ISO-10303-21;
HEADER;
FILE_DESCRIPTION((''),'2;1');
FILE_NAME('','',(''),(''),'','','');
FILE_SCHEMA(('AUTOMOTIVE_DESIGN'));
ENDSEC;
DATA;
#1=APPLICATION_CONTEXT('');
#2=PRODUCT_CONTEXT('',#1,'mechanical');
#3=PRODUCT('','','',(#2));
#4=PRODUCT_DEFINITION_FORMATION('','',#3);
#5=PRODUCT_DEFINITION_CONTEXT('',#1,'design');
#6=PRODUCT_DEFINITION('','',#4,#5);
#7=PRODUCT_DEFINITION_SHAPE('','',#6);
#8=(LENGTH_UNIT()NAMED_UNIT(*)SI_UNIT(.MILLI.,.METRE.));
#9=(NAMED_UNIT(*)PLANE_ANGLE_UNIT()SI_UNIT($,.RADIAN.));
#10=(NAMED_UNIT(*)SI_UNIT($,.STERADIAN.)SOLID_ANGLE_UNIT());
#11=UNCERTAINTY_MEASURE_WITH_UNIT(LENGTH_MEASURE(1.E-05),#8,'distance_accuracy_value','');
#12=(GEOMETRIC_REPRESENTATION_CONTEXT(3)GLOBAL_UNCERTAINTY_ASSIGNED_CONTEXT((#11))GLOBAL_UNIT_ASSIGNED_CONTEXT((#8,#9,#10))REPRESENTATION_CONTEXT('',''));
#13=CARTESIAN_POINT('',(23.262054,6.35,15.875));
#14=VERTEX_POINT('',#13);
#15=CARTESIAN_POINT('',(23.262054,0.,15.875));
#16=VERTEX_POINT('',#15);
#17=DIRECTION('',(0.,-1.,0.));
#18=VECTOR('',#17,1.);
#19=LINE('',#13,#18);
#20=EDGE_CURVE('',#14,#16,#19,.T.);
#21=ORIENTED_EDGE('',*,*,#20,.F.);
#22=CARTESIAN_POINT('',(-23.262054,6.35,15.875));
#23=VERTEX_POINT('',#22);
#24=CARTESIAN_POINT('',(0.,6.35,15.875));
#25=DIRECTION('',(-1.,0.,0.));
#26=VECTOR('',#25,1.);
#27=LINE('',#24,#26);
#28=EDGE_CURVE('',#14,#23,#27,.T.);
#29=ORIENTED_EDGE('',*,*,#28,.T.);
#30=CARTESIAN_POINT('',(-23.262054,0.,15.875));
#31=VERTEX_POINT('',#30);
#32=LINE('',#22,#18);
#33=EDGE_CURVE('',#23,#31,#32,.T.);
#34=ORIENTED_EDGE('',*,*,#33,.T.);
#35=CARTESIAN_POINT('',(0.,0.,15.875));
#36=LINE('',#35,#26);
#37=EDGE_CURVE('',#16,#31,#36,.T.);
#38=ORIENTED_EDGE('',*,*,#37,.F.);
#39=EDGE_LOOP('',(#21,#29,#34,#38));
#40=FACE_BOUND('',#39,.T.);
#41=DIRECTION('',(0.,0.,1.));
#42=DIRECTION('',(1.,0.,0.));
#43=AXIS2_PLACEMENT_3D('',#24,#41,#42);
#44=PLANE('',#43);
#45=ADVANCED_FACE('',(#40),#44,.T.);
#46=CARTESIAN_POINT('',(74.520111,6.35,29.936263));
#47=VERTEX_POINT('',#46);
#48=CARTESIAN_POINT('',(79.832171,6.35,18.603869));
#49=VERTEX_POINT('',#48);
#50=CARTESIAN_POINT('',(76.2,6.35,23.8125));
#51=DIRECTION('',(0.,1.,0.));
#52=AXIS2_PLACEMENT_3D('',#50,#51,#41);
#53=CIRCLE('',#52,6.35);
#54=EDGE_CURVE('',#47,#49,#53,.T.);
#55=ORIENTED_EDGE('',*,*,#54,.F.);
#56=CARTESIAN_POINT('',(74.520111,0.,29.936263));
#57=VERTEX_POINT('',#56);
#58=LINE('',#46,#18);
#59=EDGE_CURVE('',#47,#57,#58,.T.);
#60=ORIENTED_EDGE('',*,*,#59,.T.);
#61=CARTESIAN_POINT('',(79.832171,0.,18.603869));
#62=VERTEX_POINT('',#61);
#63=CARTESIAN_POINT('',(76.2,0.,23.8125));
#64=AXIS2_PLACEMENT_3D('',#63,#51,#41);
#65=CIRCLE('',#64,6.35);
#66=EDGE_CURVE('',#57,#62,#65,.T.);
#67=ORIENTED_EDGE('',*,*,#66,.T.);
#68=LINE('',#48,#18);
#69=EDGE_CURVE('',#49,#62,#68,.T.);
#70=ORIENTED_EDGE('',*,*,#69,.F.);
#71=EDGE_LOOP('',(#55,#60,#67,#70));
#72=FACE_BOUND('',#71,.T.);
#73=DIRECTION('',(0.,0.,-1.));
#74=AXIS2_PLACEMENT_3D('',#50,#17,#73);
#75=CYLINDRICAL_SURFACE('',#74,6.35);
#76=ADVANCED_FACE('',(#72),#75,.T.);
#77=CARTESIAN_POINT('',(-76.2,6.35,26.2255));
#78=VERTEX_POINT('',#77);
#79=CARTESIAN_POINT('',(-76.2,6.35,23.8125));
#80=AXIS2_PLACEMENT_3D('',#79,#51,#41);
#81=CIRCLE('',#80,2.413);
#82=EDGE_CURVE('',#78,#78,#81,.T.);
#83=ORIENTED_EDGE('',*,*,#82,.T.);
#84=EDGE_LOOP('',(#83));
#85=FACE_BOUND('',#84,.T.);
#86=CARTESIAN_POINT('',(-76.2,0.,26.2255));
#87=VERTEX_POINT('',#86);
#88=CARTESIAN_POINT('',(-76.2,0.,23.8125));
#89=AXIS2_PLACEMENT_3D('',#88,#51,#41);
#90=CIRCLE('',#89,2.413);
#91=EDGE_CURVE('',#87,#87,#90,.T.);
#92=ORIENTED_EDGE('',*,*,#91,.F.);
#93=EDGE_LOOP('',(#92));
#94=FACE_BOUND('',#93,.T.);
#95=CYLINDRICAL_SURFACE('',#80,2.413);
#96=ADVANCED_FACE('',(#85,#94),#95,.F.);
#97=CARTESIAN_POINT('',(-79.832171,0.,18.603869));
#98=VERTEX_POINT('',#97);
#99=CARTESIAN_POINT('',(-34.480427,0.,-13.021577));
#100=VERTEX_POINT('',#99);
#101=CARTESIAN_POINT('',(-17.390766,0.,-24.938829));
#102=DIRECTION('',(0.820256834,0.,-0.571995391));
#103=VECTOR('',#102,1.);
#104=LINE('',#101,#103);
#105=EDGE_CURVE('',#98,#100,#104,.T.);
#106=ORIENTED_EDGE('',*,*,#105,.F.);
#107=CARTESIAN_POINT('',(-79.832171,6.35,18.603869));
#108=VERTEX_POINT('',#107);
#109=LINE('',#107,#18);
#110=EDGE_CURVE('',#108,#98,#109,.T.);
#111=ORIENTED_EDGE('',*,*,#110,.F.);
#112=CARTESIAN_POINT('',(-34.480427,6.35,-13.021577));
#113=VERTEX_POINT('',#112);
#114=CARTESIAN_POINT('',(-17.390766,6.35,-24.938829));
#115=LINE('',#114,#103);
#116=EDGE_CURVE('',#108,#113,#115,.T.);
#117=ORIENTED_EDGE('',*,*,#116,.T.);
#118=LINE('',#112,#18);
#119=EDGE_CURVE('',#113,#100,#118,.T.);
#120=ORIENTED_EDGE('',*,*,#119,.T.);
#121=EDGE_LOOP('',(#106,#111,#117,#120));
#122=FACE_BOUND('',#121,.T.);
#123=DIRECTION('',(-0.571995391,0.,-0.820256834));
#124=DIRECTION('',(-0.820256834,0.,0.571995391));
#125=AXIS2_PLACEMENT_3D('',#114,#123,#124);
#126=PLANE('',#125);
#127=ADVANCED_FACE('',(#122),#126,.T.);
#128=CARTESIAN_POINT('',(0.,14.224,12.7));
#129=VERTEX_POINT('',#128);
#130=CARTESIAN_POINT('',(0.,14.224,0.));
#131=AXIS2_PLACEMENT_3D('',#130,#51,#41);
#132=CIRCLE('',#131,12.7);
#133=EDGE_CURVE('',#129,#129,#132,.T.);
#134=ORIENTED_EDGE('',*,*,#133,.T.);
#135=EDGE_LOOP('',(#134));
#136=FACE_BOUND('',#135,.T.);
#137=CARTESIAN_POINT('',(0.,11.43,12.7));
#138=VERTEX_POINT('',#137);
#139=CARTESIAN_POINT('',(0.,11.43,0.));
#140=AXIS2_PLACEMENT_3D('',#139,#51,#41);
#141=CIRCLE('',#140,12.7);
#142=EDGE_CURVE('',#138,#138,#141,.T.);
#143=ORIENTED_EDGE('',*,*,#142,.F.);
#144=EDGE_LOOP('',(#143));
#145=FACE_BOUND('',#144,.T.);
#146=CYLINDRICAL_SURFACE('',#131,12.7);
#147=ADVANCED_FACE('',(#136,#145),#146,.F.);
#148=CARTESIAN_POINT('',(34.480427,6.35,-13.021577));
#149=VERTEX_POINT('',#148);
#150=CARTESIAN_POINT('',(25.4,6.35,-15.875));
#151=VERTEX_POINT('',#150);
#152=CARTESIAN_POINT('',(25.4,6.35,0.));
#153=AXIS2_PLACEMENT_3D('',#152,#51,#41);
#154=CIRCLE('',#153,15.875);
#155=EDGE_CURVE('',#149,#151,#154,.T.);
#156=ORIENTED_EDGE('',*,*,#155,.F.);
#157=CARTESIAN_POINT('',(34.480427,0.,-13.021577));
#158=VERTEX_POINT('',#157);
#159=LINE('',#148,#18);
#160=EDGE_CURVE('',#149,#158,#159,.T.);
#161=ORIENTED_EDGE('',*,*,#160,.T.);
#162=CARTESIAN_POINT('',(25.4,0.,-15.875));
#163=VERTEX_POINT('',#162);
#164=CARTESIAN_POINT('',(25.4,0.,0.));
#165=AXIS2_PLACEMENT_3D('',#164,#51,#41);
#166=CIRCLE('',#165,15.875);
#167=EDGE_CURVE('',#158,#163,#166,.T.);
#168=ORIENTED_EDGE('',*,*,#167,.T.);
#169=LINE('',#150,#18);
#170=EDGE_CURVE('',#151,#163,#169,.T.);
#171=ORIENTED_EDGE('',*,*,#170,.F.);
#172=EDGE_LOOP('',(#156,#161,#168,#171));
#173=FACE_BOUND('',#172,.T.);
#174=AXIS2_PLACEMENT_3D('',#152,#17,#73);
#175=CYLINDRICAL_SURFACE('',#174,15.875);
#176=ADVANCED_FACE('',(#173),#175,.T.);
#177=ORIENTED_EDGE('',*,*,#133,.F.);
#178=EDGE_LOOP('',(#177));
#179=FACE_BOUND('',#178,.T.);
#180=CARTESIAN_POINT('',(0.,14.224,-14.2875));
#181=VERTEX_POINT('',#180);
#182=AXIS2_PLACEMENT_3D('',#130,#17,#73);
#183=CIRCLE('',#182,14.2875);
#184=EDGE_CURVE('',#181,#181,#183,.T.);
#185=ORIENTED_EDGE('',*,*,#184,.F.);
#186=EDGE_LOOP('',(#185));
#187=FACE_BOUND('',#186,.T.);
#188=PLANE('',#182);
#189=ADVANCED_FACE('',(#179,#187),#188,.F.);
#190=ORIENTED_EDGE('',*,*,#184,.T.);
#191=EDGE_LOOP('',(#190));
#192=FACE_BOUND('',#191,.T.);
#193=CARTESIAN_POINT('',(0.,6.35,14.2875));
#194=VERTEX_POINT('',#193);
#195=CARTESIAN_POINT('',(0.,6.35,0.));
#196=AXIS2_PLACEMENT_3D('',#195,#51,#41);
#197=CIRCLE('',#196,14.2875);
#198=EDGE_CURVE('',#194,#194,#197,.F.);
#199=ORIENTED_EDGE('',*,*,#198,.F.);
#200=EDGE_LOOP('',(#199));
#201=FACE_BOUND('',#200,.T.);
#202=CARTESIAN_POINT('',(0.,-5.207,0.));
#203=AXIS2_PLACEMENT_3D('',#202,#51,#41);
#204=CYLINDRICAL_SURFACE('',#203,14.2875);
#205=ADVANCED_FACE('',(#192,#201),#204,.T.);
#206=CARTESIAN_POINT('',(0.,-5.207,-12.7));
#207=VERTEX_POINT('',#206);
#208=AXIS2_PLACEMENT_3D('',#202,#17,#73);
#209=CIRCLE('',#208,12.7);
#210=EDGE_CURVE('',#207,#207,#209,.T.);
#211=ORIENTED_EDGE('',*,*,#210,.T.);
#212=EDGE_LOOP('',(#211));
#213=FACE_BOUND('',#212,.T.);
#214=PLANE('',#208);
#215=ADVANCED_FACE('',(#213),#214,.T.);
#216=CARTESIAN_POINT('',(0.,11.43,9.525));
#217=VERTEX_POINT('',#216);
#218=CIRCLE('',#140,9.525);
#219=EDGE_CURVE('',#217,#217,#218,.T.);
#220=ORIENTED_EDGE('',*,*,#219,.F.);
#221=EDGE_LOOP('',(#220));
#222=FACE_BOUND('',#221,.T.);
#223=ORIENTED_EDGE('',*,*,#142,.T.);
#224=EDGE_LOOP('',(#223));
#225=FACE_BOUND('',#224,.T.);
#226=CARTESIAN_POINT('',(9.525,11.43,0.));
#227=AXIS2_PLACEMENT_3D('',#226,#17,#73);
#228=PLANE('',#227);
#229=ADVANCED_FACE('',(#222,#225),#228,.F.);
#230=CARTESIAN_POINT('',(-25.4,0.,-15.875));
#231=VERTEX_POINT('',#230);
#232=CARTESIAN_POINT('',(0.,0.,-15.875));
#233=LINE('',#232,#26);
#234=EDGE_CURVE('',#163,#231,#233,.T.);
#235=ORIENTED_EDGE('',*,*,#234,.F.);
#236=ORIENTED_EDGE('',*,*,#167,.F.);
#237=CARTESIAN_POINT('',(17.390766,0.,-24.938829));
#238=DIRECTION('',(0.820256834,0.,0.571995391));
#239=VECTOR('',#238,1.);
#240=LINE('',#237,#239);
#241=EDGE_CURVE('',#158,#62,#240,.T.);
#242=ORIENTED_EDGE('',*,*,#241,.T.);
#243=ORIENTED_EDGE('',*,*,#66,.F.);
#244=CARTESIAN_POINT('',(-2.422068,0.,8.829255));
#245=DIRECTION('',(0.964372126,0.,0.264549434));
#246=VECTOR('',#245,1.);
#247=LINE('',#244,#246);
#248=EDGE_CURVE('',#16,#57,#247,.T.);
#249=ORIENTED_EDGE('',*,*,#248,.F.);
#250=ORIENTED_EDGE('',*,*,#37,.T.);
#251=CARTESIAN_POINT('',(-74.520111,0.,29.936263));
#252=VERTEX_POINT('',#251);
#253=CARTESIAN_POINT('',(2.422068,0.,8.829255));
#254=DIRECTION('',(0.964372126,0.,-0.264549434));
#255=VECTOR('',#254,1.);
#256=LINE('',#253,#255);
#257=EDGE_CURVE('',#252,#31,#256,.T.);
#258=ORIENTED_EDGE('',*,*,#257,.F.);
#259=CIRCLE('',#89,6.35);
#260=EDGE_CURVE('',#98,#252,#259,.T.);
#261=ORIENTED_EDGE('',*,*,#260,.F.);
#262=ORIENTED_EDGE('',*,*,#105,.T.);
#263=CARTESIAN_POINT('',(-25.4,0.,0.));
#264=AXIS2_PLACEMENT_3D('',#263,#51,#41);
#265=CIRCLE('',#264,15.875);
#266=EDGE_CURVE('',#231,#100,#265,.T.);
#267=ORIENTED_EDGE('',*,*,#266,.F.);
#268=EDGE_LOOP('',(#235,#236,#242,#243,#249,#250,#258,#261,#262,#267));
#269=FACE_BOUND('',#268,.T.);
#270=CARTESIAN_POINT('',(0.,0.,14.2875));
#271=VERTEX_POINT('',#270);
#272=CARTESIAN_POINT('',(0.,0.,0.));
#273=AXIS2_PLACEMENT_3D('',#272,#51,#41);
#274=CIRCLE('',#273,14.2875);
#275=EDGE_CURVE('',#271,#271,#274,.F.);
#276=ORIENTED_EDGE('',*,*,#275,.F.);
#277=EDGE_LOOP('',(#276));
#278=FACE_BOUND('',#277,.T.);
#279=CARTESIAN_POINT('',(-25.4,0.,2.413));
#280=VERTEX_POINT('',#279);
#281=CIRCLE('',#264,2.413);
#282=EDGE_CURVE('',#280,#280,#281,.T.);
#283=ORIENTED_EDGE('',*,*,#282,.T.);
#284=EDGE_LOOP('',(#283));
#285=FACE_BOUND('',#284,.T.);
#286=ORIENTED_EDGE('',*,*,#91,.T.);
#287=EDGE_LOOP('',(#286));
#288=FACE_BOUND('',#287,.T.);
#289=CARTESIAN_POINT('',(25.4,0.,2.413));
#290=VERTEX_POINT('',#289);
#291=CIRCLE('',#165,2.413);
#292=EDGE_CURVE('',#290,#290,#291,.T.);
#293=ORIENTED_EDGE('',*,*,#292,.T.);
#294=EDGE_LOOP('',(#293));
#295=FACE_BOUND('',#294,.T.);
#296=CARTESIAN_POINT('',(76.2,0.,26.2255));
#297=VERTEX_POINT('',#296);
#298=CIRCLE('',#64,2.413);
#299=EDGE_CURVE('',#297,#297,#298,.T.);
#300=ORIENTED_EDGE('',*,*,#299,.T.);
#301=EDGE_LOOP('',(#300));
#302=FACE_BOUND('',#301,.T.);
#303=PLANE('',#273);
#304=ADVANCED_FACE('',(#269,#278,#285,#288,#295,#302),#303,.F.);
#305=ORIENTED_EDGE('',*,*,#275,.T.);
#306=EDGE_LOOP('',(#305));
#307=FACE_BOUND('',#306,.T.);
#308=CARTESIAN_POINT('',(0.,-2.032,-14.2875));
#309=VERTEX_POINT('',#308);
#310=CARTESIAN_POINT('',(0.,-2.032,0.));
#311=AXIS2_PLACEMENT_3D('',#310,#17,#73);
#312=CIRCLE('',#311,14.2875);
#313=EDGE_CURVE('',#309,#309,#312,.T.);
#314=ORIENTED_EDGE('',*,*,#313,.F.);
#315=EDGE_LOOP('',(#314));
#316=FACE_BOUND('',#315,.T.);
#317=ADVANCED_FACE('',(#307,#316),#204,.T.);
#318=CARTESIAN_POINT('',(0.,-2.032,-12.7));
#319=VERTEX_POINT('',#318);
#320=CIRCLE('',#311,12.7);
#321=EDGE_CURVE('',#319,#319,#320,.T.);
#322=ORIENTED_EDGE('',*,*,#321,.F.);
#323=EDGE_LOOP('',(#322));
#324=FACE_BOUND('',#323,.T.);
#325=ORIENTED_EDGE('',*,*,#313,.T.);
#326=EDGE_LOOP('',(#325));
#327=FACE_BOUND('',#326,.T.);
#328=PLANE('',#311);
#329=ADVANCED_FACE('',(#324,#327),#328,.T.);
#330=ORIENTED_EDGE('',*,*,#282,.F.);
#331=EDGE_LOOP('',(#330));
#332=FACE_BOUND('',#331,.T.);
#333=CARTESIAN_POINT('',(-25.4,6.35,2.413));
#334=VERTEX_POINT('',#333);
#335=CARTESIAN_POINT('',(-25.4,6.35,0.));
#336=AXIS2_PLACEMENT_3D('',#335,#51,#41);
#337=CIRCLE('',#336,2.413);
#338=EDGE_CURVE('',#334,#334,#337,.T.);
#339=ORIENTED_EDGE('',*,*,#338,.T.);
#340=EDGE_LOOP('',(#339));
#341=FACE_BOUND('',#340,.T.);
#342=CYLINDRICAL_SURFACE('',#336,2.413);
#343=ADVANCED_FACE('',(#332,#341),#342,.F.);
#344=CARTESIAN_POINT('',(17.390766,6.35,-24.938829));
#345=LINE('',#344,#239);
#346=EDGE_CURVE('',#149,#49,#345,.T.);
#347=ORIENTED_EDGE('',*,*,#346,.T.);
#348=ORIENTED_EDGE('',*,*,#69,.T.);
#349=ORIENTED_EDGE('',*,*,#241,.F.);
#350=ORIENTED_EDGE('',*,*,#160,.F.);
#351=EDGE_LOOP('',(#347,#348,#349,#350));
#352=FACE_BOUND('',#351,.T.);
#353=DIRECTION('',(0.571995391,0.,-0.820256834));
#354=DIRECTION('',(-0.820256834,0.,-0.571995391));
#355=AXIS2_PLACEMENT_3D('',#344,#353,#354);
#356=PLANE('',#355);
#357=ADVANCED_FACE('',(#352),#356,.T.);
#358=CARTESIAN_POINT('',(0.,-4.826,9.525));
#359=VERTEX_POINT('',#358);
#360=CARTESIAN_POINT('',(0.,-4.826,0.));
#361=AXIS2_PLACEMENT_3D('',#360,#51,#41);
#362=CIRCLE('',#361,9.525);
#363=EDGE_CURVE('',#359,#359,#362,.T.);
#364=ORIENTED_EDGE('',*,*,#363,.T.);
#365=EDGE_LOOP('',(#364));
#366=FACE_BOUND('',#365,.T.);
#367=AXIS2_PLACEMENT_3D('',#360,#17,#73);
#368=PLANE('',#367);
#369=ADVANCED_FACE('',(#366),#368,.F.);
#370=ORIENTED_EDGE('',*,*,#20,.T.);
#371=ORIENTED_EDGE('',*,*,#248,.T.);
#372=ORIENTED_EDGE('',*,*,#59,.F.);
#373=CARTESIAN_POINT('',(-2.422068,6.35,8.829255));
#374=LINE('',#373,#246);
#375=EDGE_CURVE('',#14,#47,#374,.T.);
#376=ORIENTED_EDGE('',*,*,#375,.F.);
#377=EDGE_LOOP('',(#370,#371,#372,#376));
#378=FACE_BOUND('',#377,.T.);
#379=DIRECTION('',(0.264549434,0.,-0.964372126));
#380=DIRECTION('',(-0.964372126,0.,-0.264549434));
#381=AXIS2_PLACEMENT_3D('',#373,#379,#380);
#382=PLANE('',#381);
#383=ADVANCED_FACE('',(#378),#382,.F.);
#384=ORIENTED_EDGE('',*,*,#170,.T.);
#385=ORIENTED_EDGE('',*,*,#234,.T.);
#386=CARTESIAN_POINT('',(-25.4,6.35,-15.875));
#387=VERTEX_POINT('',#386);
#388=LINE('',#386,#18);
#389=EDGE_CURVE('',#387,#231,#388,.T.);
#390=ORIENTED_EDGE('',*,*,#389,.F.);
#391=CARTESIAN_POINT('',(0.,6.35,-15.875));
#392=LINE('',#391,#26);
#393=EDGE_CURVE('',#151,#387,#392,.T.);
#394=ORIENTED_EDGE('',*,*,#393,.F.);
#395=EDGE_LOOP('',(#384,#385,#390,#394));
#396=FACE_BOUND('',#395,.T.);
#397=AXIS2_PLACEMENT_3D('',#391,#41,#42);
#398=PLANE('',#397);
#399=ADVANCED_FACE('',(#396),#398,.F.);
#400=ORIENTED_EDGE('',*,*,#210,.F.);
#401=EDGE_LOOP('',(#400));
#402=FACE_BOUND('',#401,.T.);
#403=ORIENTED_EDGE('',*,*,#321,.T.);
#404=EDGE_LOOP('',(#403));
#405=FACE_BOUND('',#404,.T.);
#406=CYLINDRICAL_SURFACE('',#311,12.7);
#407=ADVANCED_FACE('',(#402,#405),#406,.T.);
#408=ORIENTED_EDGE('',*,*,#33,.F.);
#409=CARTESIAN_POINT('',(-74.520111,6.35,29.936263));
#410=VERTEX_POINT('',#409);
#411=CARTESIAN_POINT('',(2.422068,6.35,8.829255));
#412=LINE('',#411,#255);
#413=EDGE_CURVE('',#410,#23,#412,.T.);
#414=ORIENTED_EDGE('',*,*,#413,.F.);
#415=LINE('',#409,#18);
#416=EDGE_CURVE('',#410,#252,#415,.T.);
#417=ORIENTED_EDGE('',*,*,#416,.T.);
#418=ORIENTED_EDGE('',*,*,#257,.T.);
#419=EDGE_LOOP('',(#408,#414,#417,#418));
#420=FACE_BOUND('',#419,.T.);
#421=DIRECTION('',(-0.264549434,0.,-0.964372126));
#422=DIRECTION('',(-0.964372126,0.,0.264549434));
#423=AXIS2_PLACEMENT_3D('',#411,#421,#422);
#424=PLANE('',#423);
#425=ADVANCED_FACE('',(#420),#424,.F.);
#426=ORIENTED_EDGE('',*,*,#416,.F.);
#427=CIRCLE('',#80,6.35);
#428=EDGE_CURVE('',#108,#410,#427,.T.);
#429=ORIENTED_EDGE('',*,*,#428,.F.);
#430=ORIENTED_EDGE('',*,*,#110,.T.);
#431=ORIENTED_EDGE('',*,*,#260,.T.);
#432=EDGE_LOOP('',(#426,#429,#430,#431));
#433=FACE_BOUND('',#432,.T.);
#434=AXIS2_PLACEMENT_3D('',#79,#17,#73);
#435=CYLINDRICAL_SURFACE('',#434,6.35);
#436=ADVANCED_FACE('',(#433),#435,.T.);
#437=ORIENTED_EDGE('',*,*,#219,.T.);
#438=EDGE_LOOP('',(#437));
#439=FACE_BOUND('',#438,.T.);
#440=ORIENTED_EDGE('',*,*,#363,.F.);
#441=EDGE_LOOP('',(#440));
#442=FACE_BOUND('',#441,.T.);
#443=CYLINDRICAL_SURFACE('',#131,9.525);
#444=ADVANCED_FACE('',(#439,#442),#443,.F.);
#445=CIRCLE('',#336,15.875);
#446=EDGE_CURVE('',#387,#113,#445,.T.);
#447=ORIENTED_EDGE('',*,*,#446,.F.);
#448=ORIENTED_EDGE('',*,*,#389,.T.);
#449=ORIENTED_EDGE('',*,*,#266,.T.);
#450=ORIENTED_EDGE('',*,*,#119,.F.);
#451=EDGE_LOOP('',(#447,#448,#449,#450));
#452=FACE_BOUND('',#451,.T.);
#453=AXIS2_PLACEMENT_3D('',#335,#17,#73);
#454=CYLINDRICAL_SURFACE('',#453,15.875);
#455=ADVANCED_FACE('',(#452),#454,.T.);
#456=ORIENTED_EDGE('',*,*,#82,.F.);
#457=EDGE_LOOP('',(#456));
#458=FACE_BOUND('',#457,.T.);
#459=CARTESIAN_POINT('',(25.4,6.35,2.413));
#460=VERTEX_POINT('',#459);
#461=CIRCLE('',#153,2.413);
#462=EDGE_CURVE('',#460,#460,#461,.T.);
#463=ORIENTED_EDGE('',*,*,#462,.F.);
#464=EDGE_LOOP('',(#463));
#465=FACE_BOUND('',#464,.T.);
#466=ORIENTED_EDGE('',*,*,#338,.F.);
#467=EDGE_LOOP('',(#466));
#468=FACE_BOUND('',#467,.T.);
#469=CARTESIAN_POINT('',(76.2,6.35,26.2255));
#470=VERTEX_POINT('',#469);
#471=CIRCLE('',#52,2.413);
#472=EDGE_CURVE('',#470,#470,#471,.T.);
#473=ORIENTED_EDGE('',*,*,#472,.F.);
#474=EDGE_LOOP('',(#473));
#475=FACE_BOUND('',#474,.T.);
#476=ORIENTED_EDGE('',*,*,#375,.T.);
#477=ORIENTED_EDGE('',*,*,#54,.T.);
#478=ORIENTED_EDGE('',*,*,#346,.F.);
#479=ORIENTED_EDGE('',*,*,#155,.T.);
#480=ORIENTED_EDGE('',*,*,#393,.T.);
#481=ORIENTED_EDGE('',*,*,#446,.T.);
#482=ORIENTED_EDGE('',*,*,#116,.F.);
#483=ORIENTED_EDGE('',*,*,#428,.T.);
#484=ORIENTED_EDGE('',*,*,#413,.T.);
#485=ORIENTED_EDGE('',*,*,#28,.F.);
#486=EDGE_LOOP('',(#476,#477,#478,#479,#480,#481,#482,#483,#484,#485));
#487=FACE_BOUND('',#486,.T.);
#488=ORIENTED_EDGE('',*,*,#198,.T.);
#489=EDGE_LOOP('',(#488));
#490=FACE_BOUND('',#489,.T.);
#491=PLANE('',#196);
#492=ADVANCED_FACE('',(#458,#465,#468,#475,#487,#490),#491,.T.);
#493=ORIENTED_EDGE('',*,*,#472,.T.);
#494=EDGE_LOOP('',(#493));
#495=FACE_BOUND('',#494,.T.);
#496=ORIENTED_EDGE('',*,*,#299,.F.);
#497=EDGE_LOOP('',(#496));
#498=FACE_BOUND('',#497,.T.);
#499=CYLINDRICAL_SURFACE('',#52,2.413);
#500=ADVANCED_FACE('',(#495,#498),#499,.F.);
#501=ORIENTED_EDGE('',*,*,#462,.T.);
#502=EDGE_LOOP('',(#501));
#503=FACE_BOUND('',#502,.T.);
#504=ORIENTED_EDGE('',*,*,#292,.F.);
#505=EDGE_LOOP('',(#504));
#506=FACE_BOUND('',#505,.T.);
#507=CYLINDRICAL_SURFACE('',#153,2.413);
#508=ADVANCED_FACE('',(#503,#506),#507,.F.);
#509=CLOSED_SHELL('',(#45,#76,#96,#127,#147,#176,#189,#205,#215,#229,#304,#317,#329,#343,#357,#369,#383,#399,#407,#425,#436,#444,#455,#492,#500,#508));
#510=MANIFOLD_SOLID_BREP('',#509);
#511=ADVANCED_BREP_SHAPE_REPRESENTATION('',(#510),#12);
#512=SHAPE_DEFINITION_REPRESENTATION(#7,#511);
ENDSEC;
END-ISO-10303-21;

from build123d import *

# Parameters (mm, degrees)
BOSS_EXTRUDE1_DEPTH    = 6.35
BOSS_EXTRUDE2_START    = -14.224
SKETCH2_R              = 14.2875
BOSS_EXTRUDE2_DEPTH    = 19.431
HOLE1_D                = 19.05
HOLE1_DEPTH            = 19.05
HOLE1_CBORE_D          = 25.4
HOLE1_CBORE_DEPTH      = 2.794
F_10_32_TAPPED_HOLE1_D = 4.826
SKETCH7_R              = 14.2875
SKETCH7_R_2            = 12.7
CUT_EXTRUDE1_DEPTH     = 3.175


with BuildPart() as part:
    # Sketch1 → Boss-Extrude1 (new body)
    with BuildSketch(Plane(origin=(0, 0, 0), x_dir=(1, 0, 0), z_dir=(0, 1, 0))):
        with BuildLine():
            Line((79.832170731, -18.603869107), (34.480426828, 13.021577233))
            ThreePointArc((34.480426828, 13.021577233), (30.159101093, 15.14485331), (25.4, 15.875))
            Line((25.4, 15.875), (-25.4, 15.875))
            ThreePointArc((-25.4, 15.875), (-30.159101093, 15.14485331), (-34.480426828, 13.021577233))
            Line((-34.480426828, 13.021577233), (-79.832170731, -18.603869107))
            ThreePointArc((-79.832170731, -18.603869107), (-81.949664243, -26.507655114), (-74.520111094, -29.936262999))
            Line((-74.520111094, -29.936262999), (-23.262053626, -15.875))
            Line((-23.262053626, -15.875), (23.262053626, -15.875))
            Line((23.262053626, -15.875), (74.520111094, -29.936262999))
            ThreePointArc((74.520111094, -29.936262999), (81.949664243, -26.507655114), (79.832170731, -18.603869107))
        make_face()
    extrude(amount=BOSS_EXTRUDE1_DEPTH)

    # Sketch2 → Boss-Extrude2 (add)
    with BuildSketch(Plane.XZ.offset(BOSS_EXTRUDE2_START)):
        Circle(SKETCH2_R)
    extrude(amount=BOSS_EXTRUDE2_DEPTH)

    # Hole1
    with Locations(Plane(origin=(0, 14.224, 0), x_dir=(1, 0, 0), z_dir=(0, 1, 0))):
        with Locations((0, 0)):
            CounterBoreHole(HOLE1_D / 2, HOLE1_CBORE_D / 2, HOLE1_CBORE_DEPTH, depth=HOLE1_DEPTH)

    # #10-32 Tapped Hole1 (through all)
    with Locations(Plane(origin=(0, 6.35, 0), x_dir=(1, 0, 0), z_dir=(0, 1, 0))):
        with Locations((-25.4, 0), (25.4, 0), (-76.2, -23.8125), (76.2, -23.8125)):
            Hole(F_10_32_TAPPED_HOLE1_D / 2)

    # Sketch7 → Cut-Extrude1 (cut)
    with BuildSketch(Plane.XZ.offset(5.207)):
        Circle(SKETCH7_R)
        Circle(SKETCH7_R_2, mode=Mode.SUBTRACT)
    extrude(amount=-CUT_EXTRUDE1_DEPTH, mode=Mode.SUBTRACT)


solid = part.part
